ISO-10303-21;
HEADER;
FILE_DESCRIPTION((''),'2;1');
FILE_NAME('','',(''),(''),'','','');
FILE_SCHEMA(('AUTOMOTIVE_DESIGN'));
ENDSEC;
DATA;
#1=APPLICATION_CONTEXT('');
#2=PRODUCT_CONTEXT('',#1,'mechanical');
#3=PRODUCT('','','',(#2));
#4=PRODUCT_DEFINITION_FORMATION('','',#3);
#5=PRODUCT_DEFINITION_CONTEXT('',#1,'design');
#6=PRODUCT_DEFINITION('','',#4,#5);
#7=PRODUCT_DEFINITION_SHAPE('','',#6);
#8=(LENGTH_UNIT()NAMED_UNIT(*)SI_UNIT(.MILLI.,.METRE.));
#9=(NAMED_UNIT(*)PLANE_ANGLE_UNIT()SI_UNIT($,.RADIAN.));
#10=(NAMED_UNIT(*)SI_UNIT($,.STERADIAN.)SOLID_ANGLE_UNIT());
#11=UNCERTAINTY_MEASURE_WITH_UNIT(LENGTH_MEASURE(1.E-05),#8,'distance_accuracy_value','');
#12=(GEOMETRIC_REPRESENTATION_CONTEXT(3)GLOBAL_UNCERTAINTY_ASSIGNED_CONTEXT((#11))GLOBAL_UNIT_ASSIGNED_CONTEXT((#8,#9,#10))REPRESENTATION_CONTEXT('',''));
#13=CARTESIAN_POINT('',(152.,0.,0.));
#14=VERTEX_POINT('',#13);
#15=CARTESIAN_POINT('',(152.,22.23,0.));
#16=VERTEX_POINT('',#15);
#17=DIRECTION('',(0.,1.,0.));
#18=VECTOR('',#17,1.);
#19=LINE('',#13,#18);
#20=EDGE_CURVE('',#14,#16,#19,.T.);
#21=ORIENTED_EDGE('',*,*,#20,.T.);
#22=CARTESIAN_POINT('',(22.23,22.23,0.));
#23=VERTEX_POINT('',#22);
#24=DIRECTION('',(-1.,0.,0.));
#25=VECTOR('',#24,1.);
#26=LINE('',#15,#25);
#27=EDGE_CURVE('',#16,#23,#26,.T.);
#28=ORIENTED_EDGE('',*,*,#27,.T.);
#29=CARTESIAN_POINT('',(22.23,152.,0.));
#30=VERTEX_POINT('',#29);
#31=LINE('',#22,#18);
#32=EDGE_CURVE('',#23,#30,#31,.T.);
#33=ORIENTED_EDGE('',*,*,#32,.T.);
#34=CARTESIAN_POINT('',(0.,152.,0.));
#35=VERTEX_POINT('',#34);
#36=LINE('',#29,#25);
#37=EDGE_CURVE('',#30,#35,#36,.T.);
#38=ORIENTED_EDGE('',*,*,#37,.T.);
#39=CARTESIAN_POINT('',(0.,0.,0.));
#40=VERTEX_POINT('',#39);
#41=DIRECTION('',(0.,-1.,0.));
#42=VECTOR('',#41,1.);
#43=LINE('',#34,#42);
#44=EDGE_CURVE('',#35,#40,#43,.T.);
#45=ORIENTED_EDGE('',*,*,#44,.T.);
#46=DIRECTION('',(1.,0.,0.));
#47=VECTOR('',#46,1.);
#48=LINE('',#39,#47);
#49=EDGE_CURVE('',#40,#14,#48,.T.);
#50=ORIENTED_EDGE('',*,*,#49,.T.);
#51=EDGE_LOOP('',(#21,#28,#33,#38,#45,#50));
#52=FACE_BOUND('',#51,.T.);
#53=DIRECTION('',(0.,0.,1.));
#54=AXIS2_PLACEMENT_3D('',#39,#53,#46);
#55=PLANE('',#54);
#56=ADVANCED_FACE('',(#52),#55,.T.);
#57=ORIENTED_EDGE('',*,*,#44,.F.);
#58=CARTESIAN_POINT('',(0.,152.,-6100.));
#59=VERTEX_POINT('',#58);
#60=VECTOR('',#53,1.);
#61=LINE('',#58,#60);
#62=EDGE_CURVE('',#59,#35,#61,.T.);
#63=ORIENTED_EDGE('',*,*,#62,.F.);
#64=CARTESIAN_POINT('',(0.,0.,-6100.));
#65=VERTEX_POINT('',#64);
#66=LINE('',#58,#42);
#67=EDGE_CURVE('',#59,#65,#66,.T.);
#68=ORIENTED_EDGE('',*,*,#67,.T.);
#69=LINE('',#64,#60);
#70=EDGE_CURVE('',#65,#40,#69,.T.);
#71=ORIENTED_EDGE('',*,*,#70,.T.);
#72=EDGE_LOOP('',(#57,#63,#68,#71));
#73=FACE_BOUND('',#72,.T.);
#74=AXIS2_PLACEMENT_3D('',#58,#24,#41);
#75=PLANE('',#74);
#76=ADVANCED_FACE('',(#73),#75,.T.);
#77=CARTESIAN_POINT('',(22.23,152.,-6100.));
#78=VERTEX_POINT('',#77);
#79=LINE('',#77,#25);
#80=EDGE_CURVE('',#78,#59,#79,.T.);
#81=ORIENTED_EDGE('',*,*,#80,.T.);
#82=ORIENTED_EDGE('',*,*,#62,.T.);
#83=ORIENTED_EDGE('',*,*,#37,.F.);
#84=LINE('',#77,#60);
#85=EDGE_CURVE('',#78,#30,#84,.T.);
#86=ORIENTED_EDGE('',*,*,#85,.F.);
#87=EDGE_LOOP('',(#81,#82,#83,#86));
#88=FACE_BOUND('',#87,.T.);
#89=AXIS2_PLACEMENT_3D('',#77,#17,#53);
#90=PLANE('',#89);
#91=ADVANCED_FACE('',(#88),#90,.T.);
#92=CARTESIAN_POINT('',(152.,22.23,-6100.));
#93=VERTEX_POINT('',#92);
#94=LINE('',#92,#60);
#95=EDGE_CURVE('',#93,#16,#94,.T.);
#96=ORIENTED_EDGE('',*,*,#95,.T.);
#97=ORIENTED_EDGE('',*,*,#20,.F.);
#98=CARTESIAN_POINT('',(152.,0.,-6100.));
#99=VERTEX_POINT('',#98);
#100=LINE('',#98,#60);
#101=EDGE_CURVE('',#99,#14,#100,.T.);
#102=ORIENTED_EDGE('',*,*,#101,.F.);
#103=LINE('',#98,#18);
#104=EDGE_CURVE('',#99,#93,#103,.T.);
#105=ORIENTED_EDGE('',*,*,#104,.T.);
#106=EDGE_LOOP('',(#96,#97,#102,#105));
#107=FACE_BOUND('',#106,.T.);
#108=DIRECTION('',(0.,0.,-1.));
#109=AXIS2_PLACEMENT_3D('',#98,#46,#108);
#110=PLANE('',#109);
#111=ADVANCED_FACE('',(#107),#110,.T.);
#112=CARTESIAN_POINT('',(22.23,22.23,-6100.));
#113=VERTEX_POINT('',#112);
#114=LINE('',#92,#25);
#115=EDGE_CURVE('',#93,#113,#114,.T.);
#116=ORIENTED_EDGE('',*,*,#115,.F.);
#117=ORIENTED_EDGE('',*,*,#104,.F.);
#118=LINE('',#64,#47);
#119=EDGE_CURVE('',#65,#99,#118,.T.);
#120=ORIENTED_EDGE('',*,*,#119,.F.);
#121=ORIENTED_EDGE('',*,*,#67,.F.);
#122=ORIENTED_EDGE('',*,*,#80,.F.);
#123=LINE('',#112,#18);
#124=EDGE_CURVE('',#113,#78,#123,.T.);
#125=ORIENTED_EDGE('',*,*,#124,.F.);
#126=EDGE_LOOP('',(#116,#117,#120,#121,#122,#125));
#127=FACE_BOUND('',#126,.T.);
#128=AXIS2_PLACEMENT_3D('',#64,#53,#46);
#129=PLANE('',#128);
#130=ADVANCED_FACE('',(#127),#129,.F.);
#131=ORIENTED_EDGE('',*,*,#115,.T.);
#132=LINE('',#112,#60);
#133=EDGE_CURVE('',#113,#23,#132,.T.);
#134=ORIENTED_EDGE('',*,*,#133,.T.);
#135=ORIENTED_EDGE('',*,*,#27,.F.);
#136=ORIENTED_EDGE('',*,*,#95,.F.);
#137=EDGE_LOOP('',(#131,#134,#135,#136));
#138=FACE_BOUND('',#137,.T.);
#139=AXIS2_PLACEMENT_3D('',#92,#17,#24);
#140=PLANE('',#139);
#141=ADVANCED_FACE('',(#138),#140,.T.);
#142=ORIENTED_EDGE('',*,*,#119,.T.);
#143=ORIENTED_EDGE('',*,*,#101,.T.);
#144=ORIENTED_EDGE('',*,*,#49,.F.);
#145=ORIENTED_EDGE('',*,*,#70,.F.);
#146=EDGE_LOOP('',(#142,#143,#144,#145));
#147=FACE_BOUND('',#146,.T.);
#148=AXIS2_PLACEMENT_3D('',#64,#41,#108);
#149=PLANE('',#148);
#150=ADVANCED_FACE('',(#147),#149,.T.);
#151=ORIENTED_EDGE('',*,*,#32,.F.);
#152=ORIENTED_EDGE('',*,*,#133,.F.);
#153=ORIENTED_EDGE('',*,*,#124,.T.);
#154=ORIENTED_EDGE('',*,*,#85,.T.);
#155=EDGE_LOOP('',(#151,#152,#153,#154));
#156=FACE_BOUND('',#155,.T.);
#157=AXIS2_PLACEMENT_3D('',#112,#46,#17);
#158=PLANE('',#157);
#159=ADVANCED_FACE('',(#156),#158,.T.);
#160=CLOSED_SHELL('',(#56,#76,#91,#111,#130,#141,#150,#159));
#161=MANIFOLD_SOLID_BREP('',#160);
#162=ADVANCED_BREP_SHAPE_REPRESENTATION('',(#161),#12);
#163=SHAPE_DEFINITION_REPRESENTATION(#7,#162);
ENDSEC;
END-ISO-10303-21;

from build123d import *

# Parameters (mm, degrees)
SALIENTE_EXTRUIR1_DEPTH = 6100


with BuildPart() as part:
    # Croquis1 → Saliente-Extruir1 (new body)
    with BuildSketch(Plane.XY):
        Polygon((0, 152), (0, 0), (152, 0), (152, 22.23), (22.23, 22.23), (22.23, 152), align=None)
    extrude(amount=-SALIENTE_EXTRUIR1_DEPTH)


solid = part.part
